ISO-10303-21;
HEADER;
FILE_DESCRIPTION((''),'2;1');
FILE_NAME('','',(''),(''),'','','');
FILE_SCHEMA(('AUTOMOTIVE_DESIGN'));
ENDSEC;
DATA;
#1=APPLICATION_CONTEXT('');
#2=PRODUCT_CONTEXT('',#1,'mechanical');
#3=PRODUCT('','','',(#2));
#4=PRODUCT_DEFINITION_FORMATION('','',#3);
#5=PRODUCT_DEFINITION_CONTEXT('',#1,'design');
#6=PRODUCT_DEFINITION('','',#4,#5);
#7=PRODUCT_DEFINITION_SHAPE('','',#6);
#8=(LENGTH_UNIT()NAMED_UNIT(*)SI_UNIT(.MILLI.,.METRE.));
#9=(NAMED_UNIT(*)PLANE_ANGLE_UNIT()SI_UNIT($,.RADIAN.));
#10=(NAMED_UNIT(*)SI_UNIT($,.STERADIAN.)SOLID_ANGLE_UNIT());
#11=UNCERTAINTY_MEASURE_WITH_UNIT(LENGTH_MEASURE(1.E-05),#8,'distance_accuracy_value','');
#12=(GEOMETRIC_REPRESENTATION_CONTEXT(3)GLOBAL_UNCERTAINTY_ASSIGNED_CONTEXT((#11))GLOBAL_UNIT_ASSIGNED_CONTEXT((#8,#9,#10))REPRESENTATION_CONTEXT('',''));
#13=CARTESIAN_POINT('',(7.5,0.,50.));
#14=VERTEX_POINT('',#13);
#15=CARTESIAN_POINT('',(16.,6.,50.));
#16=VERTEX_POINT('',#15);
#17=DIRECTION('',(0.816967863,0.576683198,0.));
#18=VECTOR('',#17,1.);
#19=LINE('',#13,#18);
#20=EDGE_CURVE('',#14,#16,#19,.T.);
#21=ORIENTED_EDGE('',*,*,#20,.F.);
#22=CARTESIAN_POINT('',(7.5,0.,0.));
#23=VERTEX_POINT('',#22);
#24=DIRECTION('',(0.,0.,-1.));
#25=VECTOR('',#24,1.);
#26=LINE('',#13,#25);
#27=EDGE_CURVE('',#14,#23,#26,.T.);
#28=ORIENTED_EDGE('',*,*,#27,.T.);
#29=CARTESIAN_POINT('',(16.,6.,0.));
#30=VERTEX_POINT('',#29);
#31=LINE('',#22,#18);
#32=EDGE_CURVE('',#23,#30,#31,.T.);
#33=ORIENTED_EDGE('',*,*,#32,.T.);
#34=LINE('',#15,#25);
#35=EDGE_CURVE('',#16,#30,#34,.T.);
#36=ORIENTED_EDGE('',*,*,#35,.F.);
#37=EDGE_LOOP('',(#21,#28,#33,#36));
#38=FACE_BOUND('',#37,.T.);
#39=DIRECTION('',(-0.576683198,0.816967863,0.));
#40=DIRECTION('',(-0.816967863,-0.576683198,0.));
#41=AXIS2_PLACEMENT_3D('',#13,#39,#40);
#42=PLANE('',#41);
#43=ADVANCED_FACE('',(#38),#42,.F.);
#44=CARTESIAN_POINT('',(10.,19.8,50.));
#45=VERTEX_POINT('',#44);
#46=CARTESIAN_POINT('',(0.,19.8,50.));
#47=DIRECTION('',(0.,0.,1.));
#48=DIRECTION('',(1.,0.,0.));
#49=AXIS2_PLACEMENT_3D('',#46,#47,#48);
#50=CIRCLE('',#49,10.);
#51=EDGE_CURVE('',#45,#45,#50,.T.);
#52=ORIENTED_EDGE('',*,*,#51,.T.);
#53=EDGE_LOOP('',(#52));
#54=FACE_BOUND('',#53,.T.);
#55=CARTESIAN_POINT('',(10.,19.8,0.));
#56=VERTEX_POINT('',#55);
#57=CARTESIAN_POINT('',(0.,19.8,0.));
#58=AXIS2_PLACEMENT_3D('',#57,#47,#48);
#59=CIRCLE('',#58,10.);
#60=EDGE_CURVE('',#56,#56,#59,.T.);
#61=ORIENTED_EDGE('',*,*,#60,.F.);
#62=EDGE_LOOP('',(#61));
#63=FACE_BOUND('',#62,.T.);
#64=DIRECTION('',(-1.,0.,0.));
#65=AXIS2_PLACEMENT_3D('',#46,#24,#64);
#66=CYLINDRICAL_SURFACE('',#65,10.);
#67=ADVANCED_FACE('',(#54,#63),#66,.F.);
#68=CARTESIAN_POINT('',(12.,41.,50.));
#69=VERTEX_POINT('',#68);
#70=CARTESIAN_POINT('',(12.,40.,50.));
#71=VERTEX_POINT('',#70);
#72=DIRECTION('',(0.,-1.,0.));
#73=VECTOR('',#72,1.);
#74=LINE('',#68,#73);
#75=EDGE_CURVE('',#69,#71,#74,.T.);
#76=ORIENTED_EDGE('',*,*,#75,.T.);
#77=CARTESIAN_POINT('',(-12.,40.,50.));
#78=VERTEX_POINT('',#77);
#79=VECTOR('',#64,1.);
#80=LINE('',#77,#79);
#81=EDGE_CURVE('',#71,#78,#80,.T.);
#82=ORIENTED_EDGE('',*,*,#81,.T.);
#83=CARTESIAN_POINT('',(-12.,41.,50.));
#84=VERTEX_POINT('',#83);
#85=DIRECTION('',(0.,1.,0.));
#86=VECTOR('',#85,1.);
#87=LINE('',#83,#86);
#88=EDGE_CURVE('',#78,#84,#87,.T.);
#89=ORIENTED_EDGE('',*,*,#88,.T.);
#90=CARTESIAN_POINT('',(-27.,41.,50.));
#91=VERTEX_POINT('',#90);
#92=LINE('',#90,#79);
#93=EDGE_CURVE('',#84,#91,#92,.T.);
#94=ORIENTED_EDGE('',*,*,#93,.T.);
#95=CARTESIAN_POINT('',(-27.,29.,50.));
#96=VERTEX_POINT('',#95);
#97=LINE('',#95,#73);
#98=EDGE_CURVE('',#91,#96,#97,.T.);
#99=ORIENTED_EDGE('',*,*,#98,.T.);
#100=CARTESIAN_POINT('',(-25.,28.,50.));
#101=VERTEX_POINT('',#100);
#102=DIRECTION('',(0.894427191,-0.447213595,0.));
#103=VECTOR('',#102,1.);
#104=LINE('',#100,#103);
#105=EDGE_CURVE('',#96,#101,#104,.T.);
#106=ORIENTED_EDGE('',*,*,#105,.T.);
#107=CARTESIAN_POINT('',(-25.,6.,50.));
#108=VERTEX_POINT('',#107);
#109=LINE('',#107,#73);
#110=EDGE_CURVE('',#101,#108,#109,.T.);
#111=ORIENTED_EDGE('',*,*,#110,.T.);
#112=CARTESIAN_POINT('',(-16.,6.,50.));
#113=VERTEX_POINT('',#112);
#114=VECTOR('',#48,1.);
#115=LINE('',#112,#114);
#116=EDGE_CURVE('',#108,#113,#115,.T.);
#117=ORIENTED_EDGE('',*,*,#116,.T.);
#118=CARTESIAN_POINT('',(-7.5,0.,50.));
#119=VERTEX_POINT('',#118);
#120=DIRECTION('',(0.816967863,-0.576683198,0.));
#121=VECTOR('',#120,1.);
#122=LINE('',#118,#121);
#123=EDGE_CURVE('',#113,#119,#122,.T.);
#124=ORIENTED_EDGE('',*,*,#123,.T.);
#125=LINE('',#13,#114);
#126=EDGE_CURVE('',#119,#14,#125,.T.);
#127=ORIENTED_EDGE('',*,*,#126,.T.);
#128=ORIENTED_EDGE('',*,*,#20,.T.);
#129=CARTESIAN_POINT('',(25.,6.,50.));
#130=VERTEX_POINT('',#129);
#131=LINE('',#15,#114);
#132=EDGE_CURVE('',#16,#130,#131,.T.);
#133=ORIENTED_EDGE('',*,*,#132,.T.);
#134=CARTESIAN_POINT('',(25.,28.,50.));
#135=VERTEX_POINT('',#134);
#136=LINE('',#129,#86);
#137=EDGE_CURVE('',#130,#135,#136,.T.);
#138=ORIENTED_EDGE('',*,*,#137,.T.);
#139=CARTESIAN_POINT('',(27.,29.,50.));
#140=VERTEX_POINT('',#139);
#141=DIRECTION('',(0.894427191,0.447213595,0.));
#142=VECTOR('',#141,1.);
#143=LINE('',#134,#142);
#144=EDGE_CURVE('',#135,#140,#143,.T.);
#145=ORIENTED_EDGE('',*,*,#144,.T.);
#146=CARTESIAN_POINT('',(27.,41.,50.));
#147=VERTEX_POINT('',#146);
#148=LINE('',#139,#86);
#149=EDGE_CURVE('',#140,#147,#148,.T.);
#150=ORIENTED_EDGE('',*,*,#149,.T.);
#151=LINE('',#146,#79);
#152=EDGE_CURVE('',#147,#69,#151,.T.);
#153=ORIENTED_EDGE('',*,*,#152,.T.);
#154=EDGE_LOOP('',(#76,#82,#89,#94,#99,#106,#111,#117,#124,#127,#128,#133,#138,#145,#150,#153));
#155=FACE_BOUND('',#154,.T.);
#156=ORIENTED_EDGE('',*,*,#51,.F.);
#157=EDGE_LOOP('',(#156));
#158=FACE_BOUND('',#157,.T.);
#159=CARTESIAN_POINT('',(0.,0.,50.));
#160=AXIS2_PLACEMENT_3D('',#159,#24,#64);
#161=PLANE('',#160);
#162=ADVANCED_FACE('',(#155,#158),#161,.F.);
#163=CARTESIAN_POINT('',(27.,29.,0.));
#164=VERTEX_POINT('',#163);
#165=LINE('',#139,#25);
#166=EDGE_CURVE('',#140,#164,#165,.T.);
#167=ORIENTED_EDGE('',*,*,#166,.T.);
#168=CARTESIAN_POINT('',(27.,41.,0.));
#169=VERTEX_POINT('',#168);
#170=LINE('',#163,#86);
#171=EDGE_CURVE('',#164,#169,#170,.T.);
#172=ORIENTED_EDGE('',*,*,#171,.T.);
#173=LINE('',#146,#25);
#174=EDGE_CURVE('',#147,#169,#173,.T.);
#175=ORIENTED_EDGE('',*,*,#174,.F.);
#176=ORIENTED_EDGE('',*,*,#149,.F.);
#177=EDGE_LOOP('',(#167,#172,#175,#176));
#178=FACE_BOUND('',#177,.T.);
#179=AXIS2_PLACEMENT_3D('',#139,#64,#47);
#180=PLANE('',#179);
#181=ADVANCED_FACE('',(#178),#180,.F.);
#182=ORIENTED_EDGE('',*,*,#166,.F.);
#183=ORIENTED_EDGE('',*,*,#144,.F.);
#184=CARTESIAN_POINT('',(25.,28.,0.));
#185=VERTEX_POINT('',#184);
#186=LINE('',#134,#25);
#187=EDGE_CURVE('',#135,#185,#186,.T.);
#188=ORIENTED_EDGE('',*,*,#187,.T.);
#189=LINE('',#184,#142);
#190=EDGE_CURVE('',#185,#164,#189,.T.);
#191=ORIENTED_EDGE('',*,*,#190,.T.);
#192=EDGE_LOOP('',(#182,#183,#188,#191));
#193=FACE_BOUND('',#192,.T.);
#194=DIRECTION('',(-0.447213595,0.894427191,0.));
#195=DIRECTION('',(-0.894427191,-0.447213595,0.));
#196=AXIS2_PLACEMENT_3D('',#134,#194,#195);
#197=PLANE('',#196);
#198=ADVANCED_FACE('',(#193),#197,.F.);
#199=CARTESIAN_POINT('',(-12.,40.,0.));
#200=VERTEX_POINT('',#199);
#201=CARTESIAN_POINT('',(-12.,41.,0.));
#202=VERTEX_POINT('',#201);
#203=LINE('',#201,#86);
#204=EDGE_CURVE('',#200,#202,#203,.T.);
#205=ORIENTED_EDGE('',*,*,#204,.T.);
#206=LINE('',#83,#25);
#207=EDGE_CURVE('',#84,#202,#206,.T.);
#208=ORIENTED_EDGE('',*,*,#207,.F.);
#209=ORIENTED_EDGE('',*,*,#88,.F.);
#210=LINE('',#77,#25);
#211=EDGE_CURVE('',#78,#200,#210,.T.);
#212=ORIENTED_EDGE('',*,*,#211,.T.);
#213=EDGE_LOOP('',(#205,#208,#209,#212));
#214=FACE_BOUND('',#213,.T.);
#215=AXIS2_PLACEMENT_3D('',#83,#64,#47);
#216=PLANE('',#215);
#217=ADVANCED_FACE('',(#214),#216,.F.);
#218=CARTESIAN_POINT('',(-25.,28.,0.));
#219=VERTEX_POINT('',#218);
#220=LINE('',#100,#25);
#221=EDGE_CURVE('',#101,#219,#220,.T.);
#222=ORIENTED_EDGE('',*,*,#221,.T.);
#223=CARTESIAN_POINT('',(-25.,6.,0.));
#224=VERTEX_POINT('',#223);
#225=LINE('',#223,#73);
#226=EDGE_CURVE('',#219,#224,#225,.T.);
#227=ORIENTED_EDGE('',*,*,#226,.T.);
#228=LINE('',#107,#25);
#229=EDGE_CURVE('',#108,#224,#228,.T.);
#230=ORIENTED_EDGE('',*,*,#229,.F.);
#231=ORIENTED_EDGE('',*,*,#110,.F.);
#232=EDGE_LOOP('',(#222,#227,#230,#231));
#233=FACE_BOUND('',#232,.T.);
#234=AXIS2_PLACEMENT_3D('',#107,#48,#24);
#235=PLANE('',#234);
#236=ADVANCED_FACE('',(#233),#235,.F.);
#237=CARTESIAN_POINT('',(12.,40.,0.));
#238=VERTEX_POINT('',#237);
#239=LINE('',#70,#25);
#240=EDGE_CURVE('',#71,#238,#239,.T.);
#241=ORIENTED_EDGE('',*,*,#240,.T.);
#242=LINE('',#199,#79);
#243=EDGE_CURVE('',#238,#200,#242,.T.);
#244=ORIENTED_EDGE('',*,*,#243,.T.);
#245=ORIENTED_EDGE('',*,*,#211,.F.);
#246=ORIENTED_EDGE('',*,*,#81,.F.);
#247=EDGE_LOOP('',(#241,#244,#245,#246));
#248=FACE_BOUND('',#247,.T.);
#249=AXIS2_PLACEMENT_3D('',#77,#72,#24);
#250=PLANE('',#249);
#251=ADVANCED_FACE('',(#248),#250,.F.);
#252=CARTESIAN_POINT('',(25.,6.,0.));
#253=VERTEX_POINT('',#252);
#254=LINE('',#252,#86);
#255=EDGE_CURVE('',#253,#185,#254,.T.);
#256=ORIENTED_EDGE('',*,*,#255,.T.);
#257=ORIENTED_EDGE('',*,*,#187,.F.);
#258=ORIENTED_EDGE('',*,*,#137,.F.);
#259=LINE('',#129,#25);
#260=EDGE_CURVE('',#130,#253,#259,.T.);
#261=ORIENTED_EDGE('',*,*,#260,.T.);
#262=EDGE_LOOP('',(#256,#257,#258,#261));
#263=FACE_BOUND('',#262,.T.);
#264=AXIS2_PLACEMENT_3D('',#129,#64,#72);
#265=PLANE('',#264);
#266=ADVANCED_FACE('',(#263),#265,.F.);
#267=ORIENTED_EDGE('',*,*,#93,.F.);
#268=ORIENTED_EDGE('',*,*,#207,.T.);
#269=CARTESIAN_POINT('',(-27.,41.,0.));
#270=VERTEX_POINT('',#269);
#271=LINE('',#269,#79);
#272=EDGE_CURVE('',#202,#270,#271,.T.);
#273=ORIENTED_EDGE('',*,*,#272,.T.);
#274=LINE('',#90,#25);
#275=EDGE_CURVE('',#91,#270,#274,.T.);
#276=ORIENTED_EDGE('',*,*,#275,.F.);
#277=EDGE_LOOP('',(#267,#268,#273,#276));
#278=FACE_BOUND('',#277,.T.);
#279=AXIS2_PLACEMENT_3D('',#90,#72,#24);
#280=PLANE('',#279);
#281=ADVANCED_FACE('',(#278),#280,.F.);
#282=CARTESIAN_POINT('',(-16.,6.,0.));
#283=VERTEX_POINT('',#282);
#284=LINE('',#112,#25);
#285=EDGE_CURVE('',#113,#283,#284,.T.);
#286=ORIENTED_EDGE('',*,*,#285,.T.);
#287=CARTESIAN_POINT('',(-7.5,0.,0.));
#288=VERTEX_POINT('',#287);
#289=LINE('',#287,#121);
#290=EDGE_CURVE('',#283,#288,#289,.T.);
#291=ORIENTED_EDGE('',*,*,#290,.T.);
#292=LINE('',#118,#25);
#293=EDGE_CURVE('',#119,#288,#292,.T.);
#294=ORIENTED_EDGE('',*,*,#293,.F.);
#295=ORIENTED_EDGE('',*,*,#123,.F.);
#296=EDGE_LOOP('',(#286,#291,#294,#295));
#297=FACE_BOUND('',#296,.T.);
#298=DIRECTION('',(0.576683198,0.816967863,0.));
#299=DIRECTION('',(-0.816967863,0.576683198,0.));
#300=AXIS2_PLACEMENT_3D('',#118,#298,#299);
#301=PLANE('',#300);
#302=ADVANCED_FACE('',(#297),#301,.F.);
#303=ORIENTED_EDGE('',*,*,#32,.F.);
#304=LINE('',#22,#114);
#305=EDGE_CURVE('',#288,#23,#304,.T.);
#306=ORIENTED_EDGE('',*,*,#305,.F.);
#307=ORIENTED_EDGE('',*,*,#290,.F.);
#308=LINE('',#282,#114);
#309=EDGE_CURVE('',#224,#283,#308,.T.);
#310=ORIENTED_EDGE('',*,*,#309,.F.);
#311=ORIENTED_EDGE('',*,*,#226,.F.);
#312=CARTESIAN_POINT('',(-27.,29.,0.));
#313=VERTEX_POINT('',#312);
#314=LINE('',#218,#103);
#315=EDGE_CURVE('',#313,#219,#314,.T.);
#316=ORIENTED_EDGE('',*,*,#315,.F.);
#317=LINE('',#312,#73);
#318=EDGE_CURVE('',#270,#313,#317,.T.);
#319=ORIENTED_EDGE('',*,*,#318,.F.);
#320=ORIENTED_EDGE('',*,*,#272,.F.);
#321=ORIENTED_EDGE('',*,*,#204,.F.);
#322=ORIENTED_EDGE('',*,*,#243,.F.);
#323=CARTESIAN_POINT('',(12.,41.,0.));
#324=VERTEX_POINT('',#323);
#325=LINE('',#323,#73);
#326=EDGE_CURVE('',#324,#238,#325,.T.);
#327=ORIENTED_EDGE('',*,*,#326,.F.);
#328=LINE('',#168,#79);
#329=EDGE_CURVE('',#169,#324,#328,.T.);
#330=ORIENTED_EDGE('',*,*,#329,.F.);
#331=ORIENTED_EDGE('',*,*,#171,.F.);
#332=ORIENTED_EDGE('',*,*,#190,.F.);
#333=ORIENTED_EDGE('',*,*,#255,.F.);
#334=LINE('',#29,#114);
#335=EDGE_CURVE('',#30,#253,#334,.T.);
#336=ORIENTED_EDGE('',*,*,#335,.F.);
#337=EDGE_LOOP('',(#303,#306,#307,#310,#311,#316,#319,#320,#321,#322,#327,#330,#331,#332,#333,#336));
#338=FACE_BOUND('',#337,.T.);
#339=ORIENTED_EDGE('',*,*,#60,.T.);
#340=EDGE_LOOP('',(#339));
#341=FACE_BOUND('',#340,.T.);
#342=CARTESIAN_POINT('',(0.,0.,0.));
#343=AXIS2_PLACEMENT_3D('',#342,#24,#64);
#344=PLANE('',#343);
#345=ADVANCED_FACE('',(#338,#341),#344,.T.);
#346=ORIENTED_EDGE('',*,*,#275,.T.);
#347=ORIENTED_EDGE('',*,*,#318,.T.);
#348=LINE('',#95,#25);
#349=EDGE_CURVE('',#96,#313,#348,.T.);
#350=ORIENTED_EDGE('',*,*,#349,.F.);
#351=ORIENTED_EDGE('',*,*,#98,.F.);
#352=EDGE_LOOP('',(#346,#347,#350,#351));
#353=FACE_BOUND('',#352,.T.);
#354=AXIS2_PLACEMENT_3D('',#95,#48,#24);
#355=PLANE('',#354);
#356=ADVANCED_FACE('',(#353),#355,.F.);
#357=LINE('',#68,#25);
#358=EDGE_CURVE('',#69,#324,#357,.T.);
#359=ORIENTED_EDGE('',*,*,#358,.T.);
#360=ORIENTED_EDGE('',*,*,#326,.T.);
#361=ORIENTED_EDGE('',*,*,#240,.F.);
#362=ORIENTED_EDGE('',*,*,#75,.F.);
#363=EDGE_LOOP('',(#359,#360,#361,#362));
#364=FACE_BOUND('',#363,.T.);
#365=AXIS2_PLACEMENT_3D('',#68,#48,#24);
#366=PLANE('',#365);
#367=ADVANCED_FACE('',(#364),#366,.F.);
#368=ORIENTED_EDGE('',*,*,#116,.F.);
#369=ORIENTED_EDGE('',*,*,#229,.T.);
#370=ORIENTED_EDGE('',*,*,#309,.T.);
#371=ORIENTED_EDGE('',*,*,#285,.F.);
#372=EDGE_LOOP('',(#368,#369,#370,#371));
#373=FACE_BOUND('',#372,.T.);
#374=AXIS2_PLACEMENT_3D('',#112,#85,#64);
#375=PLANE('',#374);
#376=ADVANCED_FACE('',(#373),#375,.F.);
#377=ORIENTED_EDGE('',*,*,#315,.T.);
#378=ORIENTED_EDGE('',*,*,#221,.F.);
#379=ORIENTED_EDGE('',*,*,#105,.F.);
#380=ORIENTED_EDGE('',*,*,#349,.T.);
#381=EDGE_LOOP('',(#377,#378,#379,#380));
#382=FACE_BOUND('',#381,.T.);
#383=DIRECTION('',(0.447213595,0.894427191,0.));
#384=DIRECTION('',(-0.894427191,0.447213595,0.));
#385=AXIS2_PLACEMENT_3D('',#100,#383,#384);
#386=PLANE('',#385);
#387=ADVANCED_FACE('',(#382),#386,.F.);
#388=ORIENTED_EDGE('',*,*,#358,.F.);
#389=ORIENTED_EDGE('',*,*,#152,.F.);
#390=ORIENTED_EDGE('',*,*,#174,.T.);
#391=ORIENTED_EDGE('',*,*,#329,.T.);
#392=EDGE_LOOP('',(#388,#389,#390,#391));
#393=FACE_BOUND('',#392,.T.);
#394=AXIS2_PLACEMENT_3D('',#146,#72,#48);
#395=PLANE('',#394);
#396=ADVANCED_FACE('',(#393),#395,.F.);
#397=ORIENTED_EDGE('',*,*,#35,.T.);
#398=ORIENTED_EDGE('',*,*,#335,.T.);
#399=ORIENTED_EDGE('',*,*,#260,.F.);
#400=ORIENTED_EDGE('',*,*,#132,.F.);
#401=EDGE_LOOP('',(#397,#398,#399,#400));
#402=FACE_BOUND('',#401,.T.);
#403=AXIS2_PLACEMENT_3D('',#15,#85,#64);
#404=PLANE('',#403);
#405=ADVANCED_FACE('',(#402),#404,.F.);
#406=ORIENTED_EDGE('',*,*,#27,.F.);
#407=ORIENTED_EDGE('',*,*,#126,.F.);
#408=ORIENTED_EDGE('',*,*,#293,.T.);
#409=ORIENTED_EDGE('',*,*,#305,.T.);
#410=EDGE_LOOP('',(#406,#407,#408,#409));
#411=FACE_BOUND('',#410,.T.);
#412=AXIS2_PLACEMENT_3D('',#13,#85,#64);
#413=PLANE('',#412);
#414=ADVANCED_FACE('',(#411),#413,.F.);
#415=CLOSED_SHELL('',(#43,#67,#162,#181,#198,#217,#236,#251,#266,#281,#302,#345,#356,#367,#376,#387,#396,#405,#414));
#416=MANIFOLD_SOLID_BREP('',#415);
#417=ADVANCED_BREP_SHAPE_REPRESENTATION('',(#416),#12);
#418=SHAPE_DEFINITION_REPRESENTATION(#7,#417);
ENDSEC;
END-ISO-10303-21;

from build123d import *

# Parameters (mm, degrees)
SKETCH_1_R      = 10
EXTRUDE_1_DEPTH = 50


with BuildPart() as part:
    # 草图1 → 凸台-拉伸1 (new body)
    with BuildSketch(Plane.XY):
        Polygon((7.5, 0), (-7.5, 0), (-16, 6), (-25, 6), (-25, 28), (-27, 29), (-27, 41), (-12, 41), (-12, 40), (12, 40), (12, 41), (27, 41), (27, 29), (25, 28), (25, 6), (16, 6), align=None)
        with Locations((0, 19.8)):
            Circle(SKETCH_1_R, mode=Mode.SUBTRACT)
    extrude(amount=EXTRUDE_1_DEPTH)


solid = part.part
